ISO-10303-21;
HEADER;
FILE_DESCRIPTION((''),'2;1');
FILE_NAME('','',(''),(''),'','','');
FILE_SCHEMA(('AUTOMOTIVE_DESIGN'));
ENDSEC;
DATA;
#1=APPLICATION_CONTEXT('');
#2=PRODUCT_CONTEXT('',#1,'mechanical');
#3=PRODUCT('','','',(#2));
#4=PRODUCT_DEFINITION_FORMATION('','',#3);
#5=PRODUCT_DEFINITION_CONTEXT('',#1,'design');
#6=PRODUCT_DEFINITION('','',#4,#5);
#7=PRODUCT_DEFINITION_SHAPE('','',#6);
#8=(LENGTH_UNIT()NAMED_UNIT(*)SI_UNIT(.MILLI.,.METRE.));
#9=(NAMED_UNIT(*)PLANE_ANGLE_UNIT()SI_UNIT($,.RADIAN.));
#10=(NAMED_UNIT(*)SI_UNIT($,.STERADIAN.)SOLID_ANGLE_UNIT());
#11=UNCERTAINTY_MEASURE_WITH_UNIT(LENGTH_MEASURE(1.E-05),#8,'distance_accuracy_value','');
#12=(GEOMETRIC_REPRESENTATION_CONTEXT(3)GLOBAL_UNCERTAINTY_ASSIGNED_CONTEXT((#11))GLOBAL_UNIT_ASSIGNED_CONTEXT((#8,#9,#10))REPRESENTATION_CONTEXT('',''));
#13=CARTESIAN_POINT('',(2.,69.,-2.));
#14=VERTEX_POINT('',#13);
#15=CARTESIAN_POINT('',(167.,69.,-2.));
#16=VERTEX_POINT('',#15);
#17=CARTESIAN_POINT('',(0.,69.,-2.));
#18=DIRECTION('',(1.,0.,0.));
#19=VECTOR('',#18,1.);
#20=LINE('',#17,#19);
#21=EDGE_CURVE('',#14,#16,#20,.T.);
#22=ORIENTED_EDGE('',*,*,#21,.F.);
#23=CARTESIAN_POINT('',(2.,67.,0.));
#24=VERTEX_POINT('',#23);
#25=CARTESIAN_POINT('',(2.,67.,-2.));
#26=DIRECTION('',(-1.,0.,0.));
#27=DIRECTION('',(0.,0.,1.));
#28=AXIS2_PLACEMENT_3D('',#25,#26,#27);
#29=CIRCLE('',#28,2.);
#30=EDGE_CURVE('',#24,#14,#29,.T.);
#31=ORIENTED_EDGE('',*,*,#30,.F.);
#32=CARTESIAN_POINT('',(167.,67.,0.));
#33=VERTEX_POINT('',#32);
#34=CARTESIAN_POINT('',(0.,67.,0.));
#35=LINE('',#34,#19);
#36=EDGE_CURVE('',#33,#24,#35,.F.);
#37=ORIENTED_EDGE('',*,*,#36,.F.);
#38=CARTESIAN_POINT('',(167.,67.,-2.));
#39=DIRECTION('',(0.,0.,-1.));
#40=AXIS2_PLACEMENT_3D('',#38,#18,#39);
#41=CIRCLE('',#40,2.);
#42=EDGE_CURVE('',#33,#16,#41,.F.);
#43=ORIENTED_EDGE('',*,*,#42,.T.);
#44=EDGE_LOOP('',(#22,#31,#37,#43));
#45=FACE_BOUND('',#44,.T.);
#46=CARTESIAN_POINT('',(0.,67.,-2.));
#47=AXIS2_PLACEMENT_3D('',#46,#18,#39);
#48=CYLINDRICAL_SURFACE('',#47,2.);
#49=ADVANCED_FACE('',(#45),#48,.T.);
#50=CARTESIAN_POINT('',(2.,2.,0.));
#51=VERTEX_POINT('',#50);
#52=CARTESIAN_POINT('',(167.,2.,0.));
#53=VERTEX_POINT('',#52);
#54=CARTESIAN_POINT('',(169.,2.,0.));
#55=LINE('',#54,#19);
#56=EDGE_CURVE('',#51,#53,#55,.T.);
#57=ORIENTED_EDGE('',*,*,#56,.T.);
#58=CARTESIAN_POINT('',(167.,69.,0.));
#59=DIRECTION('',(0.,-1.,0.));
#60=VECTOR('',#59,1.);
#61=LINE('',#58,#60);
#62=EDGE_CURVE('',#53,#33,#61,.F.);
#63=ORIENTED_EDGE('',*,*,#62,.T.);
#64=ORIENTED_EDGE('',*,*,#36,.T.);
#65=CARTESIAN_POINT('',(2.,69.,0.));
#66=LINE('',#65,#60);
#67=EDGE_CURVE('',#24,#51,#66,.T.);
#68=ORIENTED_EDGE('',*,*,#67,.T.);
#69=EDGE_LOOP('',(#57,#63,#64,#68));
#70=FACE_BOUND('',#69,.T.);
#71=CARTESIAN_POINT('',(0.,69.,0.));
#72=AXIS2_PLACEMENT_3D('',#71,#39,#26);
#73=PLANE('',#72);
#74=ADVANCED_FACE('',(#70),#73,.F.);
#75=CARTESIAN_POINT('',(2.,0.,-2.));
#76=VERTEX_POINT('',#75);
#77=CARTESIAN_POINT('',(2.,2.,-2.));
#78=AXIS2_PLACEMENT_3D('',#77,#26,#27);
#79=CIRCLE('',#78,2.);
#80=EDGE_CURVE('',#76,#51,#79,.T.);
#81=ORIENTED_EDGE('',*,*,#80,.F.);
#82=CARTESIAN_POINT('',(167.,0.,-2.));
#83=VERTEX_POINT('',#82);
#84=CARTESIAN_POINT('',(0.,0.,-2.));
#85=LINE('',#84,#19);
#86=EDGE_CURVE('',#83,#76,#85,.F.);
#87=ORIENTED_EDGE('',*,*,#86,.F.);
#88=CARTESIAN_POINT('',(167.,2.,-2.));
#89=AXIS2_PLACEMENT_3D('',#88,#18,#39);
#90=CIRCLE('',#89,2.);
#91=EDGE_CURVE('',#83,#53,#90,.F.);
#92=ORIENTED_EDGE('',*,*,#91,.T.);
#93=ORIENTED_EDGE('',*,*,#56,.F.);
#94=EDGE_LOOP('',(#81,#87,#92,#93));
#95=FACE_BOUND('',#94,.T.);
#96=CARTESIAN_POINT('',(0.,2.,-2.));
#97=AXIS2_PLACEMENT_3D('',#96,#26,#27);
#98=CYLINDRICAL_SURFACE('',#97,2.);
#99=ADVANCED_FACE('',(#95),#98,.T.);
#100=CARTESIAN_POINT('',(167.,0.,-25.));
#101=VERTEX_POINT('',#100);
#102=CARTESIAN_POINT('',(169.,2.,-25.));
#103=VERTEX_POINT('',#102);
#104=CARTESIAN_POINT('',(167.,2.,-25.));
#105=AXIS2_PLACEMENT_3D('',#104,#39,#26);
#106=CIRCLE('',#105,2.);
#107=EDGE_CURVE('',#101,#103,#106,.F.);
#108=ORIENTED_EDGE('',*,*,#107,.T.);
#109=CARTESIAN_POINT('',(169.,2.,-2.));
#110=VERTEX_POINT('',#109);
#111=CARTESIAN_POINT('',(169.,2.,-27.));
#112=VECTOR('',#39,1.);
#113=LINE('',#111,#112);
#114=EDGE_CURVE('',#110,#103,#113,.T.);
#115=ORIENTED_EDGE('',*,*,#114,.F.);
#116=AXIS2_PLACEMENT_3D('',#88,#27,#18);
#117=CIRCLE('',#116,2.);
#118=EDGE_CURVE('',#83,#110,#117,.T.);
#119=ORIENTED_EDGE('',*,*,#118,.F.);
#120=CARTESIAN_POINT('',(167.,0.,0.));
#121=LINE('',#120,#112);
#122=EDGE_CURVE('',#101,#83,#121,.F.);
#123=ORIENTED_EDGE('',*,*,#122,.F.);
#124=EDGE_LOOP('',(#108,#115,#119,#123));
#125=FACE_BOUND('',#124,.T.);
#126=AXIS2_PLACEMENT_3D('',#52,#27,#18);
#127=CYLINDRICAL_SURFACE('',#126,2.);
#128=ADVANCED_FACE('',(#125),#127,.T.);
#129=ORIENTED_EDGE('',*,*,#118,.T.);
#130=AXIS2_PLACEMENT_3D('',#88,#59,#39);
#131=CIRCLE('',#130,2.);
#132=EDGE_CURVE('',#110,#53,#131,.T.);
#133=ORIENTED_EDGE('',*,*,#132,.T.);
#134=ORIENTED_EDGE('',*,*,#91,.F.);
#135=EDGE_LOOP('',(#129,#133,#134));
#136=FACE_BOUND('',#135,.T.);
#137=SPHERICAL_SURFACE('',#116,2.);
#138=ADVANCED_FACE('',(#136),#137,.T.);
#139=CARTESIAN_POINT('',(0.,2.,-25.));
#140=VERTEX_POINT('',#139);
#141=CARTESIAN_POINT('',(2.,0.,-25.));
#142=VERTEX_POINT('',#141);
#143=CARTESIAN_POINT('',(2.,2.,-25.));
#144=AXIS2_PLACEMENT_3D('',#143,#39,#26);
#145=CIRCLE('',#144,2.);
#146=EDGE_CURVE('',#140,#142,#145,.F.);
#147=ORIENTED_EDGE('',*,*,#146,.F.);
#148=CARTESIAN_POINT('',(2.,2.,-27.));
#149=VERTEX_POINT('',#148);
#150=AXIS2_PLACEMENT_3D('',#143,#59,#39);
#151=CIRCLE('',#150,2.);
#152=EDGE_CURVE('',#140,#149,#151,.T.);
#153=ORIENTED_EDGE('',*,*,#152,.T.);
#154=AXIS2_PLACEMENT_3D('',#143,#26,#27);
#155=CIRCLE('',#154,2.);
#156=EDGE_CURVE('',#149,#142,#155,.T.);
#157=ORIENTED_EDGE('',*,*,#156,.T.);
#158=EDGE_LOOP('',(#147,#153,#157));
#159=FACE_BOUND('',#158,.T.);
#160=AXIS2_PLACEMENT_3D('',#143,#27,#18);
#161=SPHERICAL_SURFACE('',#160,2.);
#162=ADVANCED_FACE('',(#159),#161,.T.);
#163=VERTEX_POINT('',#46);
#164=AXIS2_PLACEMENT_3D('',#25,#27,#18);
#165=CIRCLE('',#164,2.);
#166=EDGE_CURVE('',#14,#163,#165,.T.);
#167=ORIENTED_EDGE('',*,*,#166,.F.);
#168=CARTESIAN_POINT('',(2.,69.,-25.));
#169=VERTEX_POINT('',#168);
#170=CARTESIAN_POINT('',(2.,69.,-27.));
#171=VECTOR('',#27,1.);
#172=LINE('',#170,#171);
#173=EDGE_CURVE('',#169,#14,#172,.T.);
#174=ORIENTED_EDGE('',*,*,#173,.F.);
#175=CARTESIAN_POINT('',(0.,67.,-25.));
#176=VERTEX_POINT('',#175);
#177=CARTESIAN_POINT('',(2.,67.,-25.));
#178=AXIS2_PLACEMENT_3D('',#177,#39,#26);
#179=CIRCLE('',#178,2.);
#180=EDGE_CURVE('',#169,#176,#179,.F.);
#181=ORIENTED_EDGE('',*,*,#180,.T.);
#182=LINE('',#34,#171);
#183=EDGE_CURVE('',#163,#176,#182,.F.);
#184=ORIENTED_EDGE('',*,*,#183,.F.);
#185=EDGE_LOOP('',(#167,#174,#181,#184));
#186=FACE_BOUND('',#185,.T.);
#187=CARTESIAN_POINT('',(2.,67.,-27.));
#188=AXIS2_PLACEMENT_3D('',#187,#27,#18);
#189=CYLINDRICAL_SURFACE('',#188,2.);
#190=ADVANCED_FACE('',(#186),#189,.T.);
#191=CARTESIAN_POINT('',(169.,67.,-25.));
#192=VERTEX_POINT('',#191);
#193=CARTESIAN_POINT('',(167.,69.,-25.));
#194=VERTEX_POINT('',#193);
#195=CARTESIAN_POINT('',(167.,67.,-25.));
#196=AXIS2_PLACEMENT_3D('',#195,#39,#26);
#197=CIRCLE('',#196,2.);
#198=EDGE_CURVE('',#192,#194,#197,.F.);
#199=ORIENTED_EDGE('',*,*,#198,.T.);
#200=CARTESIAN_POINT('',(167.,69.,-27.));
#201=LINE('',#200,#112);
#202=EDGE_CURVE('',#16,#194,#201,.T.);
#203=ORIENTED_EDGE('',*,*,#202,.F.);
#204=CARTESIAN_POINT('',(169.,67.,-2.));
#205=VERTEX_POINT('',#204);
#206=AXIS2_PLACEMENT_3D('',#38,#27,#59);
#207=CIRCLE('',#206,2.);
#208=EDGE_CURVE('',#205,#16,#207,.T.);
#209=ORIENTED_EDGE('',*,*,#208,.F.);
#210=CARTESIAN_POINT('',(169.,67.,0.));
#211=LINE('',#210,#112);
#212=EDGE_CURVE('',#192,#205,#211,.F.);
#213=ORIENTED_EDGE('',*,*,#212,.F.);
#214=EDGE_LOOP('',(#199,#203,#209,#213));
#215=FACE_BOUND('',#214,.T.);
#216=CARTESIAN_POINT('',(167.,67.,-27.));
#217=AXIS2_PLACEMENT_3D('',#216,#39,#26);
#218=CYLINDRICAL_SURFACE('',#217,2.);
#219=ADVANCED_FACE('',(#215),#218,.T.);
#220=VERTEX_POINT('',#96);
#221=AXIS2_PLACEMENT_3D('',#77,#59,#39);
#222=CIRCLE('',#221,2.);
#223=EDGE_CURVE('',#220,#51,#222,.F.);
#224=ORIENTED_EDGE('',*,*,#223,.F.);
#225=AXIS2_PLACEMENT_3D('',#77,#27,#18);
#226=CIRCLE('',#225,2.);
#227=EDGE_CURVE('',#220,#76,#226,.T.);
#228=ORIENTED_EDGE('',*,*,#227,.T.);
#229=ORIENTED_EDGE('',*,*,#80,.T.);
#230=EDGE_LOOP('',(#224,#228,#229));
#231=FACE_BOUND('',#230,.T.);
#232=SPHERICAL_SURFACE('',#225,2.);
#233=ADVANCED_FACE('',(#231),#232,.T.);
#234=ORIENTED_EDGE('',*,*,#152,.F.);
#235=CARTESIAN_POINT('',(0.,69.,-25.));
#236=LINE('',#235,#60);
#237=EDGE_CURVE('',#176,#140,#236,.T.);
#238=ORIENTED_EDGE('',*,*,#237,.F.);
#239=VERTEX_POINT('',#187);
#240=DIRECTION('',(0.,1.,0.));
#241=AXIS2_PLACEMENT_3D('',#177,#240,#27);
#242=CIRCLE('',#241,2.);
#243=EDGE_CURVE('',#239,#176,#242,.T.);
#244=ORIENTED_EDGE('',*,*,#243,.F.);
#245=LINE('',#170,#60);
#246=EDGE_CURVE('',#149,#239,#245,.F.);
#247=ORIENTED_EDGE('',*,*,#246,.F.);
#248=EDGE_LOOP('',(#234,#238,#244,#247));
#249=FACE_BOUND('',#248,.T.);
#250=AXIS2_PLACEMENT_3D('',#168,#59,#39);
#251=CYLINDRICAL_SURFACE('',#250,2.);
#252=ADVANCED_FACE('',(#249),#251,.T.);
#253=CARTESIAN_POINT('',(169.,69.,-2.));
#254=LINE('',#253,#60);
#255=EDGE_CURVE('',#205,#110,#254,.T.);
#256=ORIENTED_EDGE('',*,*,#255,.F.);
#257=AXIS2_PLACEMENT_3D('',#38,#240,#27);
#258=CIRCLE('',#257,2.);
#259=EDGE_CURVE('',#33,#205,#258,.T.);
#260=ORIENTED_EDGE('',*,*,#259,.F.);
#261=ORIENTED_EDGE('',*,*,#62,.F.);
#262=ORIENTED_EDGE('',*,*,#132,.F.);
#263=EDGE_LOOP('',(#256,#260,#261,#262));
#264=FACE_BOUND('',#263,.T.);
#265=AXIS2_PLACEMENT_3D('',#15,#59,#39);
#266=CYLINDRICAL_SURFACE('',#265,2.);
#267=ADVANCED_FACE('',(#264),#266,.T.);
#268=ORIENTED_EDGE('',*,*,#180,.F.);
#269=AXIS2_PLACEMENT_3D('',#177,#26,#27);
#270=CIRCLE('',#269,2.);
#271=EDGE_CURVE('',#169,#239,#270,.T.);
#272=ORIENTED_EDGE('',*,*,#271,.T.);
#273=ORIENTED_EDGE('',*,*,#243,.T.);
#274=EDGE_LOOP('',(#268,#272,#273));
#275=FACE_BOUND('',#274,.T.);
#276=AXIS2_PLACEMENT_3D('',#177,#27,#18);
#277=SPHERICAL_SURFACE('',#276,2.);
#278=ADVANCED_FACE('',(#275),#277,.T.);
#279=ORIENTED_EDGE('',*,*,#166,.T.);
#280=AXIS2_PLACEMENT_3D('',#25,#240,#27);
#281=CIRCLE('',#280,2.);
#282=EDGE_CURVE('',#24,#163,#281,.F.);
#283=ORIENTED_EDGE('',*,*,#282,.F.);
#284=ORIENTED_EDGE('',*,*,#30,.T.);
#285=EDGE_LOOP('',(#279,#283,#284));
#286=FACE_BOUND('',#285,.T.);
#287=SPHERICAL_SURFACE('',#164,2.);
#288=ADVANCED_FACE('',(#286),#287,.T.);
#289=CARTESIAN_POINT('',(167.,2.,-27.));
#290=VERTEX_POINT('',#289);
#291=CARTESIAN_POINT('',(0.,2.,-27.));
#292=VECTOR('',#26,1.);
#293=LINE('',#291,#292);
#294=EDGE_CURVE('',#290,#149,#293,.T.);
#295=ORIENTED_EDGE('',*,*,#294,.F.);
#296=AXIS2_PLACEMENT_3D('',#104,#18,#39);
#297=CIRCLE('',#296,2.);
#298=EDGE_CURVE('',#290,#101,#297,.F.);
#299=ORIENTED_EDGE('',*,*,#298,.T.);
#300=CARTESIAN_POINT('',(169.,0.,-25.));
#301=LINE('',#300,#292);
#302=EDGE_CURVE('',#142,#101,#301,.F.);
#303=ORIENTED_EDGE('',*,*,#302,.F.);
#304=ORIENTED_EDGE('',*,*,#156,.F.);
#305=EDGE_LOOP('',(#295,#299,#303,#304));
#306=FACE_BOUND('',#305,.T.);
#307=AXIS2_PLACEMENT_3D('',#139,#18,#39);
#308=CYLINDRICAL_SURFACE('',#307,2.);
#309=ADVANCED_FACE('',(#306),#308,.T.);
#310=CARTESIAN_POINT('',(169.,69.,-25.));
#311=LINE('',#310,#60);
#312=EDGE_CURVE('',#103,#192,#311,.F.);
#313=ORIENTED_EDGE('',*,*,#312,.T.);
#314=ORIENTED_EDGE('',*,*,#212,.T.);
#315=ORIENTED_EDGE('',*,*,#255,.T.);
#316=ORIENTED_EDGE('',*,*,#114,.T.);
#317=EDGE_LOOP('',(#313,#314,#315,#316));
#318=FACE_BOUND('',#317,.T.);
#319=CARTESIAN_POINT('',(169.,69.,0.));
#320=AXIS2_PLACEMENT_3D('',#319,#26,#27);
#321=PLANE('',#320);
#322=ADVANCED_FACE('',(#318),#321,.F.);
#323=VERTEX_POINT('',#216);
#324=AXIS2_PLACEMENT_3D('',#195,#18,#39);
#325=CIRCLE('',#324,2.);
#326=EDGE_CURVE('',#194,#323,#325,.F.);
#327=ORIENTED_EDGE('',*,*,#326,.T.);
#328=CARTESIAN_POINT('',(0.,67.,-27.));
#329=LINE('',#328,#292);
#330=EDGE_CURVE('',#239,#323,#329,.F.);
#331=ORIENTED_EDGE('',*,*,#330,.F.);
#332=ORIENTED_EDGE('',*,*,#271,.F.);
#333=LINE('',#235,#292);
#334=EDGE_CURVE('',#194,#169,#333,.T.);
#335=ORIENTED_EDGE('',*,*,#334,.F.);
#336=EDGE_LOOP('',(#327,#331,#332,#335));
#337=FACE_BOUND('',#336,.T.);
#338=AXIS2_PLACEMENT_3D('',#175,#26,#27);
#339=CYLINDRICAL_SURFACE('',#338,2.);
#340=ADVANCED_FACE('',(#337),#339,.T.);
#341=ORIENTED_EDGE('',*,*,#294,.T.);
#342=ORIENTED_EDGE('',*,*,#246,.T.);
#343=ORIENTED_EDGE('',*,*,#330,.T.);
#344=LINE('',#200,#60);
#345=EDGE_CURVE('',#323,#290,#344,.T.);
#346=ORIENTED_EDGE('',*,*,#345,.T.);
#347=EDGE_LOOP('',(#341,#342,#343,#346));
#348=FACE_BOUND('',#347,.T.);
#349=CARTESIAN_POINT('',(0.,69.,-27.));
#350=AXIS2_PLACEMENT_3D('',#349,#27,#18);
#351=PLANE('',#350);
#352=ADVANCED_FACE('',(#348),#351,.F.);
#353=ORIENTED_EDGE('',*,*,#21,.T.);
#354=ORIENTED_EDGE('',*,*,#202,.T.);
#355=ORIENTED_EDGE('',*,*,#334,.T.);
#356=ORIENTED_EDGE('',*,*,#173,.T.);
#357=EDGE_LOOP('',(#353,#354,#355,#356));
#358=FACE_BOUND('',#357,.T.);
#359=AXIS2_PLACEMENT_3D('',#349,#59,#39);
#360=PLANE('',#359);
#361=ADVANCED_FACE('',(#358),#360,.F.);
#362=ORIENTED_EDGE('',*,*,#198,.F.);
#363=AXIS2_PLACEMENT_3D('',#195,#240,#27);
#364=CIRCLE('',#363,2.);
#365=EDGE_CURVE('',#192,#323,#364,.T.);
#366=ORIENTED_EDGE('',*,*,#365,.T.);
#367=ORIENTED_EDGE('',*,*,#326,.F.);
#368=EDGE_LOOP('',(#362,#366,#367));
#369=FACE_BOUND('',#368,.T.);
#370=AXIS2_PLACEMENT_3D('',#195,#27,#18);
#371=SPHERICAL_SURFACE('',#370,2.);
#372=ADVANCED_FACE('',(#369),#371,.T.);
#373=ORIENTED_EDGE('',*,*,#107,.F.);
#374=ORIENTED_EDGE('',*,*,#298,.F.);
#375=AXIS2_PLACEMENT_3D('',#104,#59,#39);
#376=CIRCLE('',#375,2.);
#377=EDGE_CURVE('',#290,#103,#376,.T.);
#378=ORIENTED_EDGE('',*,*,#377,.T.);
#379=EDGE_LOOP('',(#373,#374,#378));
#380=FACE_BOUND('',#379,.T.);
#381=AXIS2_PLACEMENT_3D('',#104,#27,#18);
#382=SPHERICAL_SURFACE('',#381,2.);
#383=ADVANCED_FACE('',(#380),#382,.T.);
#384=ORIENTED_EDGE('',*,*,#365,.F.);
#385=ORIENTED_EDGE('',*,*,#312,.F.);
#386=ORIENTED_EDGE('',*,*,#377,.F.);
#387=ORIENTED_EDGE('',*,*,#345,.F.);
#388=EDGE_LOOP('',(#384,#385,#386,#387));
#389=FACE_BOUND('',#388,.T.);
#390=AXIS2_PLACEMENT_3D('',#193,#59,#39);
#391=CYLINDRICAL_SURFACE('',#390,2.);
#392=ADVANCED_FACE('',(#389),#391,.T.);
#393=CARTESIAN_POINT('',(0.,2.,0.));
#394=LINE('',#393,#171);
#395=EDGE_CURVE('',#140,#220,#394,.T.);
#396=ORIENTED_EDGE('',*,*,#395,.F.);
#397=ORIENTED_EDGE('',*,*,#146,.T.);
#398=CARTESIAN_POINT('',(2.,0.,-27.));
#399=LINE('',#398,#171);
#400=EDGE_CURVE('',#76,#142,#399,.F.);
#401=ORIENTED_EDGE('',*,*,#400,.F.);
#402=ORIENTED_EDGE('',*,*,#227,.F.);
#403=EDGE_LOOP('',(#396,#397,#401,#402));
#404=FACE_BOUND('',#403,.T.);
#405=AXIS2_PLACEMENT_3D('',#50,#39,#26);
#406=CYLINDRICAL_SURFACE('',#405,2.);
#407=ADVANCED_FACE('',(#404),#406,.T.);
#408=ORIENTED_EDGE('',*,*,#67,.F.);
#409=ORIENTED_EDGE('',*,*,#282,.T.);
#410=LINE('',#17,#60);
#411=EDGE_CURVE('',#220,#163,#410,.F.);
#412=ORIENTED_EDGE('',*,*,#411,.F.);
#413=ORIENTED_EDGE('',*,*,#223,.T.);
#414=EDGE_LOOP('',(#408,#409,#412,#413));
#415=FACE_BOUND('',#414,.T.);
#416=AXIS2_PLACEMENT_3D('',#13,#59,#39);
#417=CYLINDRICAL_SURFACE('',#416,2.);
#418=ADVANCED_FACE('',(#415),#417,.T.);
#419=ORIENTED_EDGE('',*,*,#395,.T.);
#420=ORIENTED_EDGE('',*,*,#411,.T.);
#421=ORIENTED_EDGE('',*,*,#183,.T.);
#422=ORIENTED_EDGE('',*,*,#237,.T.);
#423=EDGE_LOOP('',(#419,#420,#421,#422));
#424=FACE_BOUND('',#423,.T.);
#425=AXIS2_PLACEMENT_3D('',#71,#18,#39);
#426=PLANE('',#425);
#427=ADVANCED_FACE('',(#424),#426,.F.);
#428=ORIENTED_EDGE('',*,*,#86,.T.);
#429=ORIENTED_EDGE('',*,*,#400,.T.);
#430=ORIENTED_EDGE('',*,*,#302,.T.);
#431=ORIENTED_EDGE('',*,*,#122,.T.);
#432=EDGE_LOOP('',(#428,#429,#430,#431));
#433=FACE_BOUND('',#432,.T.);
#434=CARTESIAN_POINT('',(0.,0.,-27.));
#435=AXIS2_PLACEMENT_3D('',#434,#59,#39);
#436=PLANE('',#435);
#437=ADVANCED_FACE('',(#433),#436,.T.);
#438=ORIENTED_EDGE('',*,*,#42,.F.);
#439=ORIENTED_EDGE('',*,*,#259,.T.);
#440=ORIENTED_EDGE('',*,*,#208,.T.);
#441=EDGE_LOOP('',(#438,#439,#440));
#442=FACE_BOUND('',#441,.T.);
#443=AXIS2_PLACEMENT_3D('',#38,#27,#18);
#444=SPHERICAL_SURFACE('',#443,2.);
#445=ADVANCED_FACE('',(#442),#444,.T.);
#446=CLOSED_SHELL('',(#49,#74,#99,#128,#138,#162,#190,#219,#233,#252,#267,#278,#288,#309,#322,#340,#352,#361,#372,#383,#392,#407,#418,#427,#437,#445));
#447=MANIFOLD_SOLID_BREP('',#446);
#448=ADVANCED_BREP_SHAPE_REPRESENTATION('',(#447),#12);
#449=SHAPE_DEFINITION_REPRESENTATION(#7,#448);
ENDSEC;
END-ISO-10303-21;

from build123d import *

# Parameters (mm, degrees)
SKETCH1_W           = 169
SKETCH1_H           = 27
BOSS_EXTRUDE1_DEPTH = 69
FILLET1_R           = 2


with BuildPart() as part:
    # Sketch1 → Boss-Extrude1 (new body)
    with BuildSketch(Plane(origin=(0, 0, 0), x_dir=(1, 0, 0), z_dir=(0, 1, 0))):
        with Locations((84.5, 13.5)):
            Rectangle(SKETCH1_W, SKETCH1_H)
    extrude(amount=BOSS_EXTRUDE1_DEPTH)

    # Fillet1
    fillet1_edges = [part.edges().sort_by_distance(p)[0] for p in [
        (169, 69, -13.5),
        (84.5, 69, -27),
        (0, 69, -13.5),
        (84.5, 0, -27),
        (169, 0, -13.5),
        (84.5, 0, 0),
        (0, 0, -13.5),
        (84.5, 69, 0),
        (0, 34.5, -27),
        (169, 34.5, -27),
        (169, 34.5, 0),
        (0, 34.5, 0),
    ]]
    fillet(fillet1_edges, radius=FILLET1_R)


solid = part.part
